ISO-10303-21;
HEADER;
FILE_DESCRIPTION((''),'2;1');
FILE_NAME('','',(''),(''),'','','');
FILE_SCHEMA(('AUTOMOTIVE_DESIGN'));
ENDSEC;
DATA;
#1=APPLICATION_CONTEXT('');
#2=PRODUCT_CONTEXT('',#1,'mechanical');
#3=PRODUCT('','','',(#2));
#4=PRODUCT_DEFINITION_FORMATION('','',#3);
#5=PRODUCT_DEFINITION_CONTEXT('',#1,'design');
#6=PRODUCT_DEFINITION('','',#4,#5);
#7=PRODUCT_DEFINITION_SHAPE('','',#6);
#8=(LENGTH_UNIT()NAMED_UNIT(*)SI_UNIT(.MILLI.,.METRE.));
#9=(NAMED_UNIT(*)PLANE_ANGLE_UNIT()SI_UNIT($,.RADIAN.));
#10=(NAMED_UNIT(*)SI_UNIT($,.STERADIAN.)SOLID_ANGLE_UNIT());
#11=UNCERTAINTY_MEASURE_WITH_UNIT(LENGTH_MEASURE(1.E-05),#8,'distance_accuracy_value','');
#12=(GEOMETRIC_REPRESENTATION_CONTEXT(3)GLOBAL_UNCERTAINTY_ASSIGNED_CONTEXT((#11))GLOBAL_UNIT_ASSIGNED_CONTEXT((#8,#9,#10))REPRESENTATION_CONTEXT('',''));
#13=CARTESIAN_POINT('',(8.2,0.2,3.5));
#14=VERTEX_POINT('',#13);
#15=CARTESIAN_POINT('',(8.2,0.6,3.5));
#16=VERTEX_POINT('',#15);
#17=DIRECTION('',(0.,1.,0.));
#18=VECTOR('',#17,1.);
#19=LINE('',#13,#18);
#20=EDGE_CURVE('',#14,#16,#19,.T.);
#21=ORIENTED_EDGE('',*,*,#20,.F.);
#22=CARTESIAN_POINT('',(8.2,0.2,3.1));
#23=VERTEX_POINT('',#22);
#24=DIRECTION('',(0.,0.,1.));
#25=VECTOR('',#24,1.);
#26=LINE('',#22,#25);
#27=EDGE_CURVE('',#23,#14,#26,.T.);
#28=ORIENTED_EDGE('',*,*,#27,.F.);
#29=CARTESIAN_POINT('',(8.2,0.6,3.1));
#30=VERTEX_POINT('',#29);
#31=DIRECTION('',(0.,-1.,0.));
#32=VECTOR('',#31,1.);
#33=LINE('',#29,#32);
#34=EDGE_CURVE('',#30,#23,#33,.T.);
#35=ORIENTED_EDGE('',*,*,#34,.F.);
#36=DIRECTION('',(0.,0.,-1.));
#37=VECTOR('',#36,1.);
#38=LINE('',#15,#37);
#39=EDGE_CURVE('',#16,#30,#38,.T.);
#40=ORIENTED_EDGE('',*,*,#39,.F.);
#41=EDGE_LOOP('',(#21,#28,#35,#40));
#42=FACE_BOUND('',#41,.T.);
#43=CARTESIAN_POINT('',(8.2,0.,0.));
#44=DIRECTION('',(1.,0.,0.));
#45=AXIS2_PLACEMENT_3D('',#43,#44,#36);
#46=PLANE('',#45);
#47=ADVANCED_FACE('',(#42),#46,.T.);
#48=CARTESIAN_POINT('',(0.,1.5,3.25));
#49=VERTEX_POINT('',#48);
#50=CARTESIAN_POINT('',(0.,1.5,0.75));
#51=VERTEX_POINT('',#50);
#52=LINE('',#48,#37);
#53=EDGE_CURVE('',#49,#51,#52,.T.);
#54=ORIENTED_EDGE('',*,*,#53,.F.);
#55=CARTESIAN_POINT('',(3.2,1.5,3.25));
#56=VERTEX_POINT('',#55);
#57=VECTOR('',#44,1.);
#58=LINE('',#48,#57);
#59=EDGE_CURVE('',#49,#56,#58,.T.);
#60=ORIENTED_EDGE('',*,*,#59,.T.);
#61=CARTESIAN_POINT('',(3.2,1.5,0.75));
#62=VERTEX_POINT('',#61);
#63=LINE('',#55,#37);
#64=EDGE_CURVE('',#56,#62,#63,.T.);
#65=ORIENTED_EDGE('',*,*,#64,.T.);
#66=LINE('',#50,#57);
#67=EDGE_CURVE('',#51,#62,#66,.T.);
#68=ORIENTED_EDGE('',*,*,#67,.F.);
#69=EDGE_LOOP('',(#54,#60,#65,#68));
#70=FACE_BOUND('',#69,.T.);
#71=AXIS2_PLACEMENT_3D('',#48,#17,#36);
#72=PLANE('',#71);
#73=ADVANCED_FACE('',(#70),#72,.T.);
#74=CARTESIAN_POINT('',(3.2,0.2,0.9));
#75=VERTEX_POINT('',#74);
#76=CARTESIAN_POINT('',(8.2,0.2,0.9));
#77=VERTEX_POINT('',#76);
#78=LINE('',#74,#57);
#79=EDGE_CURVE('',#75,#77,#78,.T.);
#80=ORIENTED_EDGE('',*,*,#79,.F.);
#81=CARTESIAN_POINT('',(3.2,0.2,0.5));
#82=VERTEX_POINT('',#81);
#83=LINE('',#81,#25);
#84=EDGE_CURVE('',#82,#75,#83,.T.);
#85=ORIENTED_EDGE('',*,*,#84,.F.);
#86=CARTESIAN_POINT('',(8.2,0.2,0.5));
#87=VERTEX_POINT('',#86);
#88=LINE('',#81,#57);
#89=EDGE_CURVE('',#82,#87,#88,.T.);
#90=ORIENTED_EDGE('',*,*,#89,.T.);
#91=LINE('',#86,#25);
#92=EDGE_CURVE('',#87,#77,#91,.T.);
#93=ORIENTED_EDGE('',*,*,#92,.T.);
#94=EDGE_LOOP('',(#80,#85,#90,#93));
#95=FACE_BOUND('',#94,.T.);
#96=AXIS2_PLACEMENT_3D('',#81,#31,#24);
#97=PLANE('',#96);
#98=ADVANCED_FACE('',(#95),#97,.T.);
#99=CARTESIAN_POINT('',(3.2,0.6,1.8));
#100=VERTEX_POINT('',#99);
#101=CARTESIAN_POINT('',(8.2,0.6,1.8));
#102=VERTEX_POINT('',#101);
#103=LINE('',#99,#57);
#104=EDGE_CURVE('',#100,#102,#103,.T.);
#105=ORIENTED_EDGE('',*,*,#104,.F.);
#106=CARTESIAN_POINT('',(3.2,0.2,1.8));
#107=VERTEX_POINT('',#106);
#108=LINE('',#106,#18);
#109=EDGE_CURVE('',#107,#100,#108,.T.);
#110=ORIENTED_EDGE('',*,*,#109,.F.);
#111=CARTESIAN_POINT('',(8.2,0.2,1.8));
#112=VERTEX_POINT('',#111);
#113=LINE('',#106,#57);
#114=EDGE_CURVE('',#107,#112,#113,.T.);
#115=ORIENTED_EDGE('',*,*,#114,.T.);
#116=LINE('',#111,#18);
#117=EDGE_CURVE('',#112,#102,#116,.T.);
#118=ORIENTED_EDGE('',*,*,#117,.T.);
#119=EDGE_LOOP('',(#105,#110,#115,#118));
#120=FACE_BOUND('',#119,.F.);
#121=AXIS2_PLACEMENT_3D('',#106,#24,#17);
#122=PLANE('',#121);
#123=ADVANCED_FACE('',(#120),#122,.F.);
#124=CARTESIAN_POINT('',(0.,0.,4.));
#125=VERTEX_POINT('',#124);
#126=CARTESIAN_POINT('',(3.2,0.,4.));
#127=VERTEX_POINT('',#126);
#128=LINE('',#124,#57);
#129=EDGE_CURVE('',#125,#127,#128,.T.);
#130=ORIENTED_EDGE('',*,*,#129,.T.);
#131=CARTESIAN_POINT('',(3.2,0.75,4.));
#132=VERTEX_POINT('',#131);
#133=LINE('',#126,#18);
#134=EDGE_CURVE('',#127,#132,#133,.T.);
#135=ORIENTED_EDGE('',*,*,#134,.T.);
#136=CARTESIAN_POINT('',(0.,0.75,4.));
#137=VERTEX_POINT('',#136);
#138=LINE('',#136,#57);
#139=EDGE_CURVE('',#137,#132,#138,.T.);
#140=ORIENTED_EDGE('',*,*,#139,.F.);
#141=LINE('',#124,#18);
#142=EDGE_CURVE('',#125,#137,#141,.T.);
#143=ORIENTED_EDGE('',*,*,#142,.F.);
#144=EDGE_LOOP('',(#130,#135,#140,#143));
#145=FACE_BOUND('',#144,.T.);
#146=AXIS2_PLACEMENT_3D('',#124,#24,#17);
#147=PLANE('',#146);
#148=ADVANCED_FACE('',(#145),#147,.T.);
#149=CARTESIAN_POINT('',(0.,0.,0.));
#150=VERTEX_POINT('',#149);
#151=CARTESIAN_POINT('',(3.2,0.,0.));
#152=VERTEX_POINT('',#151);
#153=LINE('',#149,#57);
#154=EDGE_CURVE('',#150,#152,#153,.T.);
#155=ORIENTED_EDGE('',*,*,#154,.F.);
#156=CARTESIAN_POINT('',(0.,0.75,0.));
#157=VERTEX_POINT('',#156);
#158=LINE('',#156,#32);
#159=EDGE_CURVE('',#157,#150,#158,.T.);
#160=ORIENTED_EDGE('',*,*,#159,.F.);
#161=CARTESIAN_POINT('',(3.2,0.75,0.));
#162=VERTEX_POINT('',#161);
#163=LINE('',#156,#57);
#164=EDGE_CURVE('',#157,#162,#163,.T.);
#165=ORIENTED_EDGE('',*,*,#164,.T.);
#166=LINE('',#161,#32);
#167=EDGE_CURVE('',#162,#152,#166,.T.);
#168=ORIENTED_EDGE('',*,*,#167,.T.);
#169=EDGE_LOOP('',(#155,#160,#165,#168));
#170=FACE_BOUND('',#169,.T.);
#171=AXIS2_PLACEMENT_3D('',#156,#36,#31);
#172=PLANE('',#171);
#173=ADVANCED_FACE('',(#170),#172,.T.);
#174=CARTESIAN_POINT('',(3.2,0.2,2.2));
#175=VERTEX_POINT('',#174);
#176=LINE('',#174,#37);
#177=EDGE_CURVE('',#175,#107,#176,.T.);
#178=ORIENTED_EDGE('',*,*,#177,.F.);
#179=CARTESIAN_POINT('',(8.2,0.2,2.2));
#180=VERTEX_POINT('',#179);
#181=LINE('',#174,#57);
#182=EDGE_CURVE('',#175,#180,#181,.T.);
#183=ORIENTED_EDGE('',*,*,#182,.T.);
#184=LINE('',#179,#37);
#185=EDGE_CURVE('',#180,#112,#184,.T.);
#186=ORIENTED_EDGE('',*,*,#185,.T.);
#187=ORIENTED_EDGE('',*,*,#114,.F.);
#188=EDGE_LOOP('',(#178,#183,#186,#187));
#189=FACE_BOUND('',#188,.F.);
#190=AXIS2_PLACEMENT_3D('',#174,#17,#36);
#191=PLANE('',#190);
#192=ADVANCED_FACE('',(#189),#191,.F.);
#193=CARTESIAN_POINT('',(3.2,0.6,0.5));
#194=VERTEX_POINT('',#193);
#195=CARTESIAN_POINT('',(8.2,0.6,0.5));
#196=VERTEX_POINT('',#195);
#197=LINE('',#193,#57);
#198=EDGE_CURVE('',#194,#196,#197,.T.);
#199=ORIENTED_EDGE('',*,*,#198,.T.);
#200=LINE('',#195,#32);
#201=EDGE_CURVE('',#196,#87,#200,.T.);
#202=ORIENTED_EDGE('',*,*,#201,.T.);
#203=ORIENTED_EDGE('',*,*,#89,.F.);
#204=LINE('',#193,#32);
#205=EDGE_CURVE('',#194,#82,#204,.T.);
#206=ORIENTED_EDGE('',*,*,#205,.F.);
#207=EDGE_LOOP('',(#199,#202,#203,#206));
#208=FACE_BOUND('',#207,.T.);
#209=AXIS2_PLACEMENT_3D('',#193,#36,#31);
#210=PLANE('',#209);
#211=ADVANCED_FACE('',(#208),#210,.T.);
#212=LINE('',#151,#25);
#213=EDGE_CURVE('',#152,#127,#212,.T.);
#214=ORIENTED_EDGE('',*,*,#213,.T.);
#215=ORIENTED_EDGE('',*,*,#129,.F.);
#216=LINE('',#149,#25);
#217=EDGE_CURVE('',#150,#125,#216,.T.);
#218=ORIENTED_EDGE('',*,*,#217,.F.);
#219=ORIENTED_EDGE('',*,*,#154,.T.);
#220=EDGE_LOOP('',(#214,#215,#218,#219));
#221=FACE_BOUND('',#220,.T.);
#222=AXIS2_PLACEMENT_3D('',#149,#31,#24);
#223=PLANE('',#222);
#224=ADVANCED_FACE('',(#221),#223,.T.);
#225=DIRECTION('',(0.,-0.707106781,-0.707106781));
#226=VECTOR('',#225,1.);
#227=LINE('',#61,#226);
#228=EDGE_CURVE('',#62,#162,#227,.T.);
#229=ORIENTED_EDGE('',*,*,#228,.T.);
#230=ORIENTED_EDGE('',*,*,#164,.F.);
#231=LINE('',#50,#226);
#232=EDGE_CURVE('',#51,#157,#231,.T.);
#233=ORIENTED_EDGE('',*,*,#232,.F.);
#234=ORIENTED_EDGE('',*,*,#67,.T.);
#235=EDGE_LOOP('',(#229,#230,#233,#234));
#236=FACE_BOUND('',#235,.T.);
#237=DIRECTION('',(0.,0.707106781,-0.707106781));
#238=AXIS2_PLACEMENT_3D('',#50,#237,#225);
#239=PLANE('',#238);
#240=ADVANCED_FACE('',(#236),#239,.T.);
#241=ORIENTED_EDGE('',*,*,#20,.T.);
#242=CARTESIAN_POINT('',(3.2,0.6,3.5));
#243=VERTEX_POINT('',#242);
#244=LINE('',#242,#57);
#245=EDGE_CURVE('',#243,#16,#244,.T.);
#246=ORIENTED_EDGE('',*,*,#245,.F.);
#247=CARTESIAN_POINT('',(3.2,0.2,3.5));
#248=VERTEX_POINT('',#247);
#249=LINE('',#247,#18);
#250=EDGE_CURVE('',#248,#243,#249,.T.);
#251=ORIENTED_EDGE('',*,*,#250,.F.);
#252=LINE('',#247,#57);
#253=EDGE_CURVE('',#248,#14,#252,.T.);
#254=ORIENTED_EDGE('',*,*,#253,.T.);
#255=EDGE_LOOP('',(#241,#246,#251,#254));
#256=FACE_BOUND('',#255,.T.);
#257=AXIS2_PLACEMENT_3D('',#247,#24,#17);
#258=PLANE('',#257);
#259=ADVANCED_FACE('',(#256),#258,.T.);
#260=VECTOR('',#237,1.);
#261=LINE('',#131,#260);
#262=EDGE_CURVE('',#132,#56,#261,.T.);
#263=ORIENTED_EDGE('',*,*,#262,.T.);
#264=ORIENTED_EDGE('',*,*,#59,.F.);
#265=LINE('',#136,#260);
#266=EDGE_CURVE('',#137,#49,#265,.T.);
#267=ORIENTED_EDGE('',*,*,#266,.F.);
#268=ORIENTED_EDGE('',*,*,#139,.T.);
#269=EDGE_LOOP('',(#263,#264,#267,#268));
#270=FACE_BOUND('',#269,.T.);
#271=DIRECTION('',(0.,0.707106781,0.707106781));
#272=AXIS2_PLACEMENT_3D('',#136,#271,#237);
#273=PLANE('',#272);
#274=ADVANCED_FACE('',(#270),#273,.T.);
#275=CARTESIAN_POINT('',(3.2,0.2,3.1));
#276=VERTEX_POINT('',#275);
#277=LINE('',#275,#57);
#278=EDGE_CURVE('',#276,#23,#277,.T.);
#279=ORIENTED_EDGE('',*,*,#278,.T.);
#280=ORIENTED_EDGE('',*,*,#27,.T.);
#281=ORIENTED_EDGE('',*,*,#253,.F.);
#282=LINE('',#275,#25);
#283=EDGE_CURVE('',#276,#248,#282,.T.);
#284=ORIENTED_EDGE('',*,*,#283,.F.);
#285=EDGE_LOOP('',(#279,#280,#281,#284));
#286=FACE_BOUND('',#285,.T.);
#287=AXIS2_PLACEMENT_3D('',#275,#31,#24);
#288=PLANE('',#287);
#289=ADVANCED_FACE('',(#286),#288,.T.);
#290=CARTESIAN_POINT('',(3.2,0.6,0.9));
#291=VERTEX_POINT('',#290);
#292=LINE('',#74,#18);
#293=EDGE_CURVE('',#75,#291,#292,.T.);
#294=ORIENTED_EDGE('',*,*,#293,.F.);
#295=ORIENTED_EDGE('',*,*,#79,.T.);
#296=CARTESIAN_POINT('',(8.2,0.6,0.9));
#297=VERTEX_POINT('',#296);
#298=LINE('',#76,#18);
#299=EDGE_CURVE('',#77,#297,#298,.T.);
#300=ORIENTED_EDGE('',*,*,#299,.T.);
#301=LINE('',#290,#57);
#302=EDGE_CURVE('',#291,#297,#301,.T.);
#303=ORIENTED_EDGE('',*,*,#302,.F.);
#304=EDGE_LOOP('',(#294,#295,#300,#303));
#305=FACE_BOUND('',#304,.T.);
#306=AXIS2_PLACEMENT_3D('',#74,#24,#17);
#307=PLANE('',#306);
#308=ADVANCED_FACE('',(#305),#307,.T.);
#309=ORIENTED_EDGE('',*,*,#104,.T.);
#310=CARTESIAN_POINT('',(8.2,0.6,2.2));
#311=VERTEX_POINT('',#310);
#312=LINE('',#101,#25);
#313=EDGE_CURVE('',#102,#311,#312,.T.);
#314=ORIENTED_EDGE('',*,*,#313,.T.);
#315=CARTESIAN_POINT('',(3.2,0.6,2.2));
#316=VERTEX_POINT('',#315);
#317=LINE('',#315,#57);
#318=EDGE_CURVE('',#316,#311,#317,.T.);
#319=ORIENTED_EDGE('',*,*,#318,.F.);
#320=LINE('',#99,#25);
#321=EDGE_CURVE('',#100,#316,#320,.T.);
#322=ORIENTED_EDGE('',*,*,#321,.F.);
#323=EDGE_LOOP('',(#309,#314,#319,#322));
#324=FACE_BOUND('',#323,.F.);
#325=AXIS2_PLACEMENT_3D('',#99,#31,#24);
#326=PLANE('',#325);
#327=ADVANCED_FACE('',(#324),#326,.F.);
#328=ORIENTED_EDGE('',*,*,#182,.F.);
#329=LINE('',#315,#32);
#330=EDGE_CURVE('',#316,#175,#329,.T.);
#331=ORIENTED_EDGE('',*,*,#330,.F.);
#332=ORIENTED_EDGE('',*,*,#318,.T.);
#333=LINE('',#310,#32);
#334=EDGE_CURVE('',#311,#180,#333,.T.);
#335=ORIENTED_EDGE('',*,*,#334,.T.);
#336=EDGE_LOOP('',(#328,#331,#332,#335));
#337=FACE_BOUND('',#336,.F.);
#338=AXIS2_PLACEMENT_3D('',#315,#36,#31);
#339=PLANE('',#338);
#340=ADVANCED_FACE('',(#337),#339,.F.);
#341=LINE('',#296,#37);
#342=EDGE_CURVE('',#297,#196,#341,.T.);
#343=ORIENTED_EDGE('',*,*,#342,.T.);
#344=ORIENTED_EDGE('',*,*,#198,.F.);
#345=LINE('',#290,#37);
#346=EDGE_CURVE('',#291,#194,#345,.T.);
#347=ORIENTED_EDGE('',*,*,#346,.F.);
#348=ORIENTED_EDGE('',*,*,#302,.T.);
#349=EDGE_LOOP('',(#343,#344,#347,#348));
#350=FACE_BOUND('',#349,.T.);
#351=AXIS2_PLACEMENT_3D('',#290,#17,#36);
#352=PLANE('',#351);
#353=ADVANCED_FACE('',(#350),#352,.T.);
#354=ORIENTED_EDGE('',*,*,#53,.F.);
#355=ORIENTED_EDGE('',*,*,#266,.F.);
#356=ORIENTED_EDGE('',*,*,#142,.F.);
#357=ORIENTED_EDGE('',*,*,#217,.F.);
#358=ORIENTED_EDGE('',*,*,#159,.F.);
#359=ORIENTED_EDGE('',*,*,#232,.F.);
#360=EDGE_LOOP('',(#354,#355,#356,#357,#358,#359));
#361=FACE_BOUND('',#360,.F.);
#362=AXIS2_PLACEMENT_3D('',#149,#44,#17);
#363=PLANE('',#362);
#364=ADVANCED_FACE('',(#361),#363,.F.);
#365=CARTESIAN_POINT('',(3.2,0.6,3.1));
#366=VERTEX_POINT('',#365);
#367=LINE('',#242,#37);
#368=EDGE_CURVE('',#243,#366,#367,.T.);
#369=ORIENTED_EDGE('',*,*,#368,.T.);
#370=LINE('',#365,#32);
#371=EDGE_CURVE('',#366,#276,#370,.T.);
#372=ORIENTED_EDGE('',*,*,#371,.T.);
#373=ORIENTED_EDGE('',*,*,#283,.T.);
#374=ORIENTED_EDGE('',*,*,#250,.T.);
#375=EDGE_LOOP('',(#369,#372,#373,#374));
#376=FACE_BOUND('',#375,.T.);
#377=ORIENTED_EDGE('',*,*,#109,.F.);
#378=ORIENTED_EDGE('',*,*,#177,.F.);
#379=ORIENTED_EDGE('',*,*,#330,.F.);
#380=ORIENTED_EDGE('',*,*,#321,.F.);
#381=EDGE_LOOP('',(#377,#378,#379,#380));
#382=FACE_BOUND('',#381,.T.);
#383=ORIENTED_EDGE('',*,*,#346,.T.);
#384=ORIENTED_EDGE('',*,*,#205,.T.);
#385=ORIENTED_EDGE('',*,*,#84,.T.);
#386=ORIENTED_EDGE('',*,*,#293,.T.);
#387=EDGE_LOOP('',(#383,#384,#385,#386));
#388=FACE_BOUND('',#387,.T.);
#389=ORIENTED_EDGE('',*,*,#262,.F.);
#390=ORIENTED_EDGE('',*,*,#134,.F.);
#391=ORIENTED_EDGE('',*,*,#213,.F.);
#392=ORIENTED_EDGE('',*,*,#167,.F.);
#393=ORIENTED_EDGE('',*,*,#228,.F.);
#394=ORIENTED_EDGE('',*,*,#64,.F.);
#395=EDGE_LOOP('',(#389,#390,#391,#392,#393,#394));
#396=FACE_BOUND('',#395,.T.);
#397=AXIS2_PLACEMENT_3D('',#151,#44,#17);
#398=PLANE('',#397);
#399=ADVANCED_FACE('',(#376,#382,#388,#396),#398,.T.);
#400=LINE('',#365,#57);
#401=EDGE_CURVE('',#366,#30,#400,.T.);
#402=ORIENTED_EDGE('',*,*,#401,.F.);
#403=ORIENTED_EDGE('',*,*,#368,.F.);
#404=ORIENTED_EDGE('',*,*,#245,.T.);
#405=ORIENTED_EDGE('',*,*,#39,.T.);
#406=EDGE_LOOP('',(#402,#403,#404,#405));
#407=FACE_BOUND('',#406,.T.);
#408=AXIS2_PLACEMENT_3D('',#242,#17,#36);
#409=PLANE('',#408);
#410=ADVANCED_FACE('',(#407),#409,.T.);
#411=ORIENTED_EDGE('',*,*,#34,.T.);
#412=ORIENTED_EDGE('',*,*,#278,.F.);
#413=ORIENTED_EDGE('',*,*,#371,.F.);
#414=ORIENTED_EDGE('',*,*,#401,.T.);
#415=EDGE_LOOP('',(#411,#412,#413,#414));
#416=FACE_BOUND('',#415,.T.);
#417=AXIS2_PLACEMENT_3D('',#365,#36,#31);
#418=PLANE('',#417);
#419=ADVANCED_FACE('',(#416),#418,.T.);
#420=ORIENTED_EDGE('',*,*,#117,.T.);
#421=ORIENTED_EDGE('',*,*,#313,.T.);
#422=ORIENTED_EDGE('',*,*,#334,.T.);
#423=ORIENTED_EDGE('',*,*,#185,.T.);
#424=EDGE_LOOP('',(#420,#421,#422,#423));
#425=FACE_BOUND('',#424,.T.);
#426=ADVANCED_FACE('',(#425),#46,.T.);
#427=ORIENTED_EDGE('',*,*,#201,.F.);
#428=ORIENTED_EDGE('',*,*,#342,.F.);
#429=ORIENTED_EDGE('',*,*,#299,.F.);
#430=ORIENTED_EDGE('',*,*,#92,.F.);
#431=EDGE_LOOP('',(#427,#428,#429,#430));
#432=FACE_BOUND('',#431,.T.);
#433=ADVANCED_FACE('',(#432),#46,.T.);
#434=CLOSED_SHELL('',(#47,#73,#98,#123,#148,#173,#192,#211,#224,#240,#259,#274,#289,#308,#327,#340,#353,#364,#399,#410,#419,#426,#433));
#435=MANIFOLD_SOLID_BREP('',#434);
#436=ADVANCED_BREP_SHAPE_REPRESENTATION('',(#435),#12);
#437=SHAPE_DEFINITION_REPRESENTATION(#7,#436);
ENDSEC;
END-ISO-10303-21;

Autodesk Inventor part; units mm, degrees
ref_plane "YZ Plane" through (0, 0, 0) normal (1, 0, 0) x (0, 1, 0)
ref_plane "XZ Plane" through (0, 0, 0) normal (0, 1, 0) x (-1, 0, 0)
ref_plane "XY Plane" through (0, 0, 0) normal (0, 0, 1) x (1, 0, 0)
sketch "Skizze1" plane through (0, 0, 0) normal (1, 0, 0) x (0, 1, 0)
  line L0 (0, 0) -> (0, 4)
  line L1 (0, 4) -> (0.75, 4)
  line L2 (0.75, 4) -> (1.5, 3.25)
  line L3 (1.5, 3.25) -> (1.5, 0.75)
  line L4 (1.5, 0.75) -> (0.75, 0)
  line L5 (0.75, 0) -> (0, 0)
  point P0 (1.5, 2)
  point P1 (0, 2)
  dimension "d0" = 4
  dimension "d1" = 1.5
  dimension "d2" = 0.75
  dimension "d3" = 45
extrude "Extrusion1" add sketch "Skizze1" along normal blind 3.2
sketch "Skizze2" plane through (3.2, 0, 0) normal (1, 0, 0) x (0, 0, -1)
  line L0 (-3.1, 0.2) -> (-3.5, 0.2)
  line L1 (-3.5, 0.2) -> (-3.5, 0.6)
  line L2 (-3.5, 0.6) -> (-3.1, 0.6)
  line L3 (-3.1, 0.6) -> (-3.1, 0.2)
  line L4 (-1.8, 0.6) -> (-2.2, 0.6)
  line L5 (-2.2, 0.6) -> (-2.2, 0.2)
  line L6 (-2.2, 0.2) -> (-1.8, 0.2)
  line L7 (-1.8, 0.2) -> (-1.8, 0.6)
  line L8 (-0.9, 0.6) -> (-0.5, 0.6)
  line L9 (-0.5, 0.6) -> (-0.5, 0.2)
  line L10 (-0.5, 0.2) -> (-0.9, 0.2)
  line L11 (-0.9, 0.2) -> (-0.9, 0.6)
  line L12 (-3.5, 0.4) -> (-0.5, 0.4) construction
  line L13 (-0.75, 1.5) -> (-3.25, 1.5) projected
  point P0 (0, 0)
  point P1 (-2, 0.4)
  point P2 (-2, 0.6)
  point P3 (-2.2, 0.4)
  point P4 (-2, 1.5)
  dimension "d6" = 0.4
  dimension "d7" = 3
  dimension "d8" = 0.9
extrude "Extrusion2" add sketch "Skizze2" along normal blind 5
properties part number "08-04-02-008_hallSensor" material "ABS-Kunststoff(1)"
